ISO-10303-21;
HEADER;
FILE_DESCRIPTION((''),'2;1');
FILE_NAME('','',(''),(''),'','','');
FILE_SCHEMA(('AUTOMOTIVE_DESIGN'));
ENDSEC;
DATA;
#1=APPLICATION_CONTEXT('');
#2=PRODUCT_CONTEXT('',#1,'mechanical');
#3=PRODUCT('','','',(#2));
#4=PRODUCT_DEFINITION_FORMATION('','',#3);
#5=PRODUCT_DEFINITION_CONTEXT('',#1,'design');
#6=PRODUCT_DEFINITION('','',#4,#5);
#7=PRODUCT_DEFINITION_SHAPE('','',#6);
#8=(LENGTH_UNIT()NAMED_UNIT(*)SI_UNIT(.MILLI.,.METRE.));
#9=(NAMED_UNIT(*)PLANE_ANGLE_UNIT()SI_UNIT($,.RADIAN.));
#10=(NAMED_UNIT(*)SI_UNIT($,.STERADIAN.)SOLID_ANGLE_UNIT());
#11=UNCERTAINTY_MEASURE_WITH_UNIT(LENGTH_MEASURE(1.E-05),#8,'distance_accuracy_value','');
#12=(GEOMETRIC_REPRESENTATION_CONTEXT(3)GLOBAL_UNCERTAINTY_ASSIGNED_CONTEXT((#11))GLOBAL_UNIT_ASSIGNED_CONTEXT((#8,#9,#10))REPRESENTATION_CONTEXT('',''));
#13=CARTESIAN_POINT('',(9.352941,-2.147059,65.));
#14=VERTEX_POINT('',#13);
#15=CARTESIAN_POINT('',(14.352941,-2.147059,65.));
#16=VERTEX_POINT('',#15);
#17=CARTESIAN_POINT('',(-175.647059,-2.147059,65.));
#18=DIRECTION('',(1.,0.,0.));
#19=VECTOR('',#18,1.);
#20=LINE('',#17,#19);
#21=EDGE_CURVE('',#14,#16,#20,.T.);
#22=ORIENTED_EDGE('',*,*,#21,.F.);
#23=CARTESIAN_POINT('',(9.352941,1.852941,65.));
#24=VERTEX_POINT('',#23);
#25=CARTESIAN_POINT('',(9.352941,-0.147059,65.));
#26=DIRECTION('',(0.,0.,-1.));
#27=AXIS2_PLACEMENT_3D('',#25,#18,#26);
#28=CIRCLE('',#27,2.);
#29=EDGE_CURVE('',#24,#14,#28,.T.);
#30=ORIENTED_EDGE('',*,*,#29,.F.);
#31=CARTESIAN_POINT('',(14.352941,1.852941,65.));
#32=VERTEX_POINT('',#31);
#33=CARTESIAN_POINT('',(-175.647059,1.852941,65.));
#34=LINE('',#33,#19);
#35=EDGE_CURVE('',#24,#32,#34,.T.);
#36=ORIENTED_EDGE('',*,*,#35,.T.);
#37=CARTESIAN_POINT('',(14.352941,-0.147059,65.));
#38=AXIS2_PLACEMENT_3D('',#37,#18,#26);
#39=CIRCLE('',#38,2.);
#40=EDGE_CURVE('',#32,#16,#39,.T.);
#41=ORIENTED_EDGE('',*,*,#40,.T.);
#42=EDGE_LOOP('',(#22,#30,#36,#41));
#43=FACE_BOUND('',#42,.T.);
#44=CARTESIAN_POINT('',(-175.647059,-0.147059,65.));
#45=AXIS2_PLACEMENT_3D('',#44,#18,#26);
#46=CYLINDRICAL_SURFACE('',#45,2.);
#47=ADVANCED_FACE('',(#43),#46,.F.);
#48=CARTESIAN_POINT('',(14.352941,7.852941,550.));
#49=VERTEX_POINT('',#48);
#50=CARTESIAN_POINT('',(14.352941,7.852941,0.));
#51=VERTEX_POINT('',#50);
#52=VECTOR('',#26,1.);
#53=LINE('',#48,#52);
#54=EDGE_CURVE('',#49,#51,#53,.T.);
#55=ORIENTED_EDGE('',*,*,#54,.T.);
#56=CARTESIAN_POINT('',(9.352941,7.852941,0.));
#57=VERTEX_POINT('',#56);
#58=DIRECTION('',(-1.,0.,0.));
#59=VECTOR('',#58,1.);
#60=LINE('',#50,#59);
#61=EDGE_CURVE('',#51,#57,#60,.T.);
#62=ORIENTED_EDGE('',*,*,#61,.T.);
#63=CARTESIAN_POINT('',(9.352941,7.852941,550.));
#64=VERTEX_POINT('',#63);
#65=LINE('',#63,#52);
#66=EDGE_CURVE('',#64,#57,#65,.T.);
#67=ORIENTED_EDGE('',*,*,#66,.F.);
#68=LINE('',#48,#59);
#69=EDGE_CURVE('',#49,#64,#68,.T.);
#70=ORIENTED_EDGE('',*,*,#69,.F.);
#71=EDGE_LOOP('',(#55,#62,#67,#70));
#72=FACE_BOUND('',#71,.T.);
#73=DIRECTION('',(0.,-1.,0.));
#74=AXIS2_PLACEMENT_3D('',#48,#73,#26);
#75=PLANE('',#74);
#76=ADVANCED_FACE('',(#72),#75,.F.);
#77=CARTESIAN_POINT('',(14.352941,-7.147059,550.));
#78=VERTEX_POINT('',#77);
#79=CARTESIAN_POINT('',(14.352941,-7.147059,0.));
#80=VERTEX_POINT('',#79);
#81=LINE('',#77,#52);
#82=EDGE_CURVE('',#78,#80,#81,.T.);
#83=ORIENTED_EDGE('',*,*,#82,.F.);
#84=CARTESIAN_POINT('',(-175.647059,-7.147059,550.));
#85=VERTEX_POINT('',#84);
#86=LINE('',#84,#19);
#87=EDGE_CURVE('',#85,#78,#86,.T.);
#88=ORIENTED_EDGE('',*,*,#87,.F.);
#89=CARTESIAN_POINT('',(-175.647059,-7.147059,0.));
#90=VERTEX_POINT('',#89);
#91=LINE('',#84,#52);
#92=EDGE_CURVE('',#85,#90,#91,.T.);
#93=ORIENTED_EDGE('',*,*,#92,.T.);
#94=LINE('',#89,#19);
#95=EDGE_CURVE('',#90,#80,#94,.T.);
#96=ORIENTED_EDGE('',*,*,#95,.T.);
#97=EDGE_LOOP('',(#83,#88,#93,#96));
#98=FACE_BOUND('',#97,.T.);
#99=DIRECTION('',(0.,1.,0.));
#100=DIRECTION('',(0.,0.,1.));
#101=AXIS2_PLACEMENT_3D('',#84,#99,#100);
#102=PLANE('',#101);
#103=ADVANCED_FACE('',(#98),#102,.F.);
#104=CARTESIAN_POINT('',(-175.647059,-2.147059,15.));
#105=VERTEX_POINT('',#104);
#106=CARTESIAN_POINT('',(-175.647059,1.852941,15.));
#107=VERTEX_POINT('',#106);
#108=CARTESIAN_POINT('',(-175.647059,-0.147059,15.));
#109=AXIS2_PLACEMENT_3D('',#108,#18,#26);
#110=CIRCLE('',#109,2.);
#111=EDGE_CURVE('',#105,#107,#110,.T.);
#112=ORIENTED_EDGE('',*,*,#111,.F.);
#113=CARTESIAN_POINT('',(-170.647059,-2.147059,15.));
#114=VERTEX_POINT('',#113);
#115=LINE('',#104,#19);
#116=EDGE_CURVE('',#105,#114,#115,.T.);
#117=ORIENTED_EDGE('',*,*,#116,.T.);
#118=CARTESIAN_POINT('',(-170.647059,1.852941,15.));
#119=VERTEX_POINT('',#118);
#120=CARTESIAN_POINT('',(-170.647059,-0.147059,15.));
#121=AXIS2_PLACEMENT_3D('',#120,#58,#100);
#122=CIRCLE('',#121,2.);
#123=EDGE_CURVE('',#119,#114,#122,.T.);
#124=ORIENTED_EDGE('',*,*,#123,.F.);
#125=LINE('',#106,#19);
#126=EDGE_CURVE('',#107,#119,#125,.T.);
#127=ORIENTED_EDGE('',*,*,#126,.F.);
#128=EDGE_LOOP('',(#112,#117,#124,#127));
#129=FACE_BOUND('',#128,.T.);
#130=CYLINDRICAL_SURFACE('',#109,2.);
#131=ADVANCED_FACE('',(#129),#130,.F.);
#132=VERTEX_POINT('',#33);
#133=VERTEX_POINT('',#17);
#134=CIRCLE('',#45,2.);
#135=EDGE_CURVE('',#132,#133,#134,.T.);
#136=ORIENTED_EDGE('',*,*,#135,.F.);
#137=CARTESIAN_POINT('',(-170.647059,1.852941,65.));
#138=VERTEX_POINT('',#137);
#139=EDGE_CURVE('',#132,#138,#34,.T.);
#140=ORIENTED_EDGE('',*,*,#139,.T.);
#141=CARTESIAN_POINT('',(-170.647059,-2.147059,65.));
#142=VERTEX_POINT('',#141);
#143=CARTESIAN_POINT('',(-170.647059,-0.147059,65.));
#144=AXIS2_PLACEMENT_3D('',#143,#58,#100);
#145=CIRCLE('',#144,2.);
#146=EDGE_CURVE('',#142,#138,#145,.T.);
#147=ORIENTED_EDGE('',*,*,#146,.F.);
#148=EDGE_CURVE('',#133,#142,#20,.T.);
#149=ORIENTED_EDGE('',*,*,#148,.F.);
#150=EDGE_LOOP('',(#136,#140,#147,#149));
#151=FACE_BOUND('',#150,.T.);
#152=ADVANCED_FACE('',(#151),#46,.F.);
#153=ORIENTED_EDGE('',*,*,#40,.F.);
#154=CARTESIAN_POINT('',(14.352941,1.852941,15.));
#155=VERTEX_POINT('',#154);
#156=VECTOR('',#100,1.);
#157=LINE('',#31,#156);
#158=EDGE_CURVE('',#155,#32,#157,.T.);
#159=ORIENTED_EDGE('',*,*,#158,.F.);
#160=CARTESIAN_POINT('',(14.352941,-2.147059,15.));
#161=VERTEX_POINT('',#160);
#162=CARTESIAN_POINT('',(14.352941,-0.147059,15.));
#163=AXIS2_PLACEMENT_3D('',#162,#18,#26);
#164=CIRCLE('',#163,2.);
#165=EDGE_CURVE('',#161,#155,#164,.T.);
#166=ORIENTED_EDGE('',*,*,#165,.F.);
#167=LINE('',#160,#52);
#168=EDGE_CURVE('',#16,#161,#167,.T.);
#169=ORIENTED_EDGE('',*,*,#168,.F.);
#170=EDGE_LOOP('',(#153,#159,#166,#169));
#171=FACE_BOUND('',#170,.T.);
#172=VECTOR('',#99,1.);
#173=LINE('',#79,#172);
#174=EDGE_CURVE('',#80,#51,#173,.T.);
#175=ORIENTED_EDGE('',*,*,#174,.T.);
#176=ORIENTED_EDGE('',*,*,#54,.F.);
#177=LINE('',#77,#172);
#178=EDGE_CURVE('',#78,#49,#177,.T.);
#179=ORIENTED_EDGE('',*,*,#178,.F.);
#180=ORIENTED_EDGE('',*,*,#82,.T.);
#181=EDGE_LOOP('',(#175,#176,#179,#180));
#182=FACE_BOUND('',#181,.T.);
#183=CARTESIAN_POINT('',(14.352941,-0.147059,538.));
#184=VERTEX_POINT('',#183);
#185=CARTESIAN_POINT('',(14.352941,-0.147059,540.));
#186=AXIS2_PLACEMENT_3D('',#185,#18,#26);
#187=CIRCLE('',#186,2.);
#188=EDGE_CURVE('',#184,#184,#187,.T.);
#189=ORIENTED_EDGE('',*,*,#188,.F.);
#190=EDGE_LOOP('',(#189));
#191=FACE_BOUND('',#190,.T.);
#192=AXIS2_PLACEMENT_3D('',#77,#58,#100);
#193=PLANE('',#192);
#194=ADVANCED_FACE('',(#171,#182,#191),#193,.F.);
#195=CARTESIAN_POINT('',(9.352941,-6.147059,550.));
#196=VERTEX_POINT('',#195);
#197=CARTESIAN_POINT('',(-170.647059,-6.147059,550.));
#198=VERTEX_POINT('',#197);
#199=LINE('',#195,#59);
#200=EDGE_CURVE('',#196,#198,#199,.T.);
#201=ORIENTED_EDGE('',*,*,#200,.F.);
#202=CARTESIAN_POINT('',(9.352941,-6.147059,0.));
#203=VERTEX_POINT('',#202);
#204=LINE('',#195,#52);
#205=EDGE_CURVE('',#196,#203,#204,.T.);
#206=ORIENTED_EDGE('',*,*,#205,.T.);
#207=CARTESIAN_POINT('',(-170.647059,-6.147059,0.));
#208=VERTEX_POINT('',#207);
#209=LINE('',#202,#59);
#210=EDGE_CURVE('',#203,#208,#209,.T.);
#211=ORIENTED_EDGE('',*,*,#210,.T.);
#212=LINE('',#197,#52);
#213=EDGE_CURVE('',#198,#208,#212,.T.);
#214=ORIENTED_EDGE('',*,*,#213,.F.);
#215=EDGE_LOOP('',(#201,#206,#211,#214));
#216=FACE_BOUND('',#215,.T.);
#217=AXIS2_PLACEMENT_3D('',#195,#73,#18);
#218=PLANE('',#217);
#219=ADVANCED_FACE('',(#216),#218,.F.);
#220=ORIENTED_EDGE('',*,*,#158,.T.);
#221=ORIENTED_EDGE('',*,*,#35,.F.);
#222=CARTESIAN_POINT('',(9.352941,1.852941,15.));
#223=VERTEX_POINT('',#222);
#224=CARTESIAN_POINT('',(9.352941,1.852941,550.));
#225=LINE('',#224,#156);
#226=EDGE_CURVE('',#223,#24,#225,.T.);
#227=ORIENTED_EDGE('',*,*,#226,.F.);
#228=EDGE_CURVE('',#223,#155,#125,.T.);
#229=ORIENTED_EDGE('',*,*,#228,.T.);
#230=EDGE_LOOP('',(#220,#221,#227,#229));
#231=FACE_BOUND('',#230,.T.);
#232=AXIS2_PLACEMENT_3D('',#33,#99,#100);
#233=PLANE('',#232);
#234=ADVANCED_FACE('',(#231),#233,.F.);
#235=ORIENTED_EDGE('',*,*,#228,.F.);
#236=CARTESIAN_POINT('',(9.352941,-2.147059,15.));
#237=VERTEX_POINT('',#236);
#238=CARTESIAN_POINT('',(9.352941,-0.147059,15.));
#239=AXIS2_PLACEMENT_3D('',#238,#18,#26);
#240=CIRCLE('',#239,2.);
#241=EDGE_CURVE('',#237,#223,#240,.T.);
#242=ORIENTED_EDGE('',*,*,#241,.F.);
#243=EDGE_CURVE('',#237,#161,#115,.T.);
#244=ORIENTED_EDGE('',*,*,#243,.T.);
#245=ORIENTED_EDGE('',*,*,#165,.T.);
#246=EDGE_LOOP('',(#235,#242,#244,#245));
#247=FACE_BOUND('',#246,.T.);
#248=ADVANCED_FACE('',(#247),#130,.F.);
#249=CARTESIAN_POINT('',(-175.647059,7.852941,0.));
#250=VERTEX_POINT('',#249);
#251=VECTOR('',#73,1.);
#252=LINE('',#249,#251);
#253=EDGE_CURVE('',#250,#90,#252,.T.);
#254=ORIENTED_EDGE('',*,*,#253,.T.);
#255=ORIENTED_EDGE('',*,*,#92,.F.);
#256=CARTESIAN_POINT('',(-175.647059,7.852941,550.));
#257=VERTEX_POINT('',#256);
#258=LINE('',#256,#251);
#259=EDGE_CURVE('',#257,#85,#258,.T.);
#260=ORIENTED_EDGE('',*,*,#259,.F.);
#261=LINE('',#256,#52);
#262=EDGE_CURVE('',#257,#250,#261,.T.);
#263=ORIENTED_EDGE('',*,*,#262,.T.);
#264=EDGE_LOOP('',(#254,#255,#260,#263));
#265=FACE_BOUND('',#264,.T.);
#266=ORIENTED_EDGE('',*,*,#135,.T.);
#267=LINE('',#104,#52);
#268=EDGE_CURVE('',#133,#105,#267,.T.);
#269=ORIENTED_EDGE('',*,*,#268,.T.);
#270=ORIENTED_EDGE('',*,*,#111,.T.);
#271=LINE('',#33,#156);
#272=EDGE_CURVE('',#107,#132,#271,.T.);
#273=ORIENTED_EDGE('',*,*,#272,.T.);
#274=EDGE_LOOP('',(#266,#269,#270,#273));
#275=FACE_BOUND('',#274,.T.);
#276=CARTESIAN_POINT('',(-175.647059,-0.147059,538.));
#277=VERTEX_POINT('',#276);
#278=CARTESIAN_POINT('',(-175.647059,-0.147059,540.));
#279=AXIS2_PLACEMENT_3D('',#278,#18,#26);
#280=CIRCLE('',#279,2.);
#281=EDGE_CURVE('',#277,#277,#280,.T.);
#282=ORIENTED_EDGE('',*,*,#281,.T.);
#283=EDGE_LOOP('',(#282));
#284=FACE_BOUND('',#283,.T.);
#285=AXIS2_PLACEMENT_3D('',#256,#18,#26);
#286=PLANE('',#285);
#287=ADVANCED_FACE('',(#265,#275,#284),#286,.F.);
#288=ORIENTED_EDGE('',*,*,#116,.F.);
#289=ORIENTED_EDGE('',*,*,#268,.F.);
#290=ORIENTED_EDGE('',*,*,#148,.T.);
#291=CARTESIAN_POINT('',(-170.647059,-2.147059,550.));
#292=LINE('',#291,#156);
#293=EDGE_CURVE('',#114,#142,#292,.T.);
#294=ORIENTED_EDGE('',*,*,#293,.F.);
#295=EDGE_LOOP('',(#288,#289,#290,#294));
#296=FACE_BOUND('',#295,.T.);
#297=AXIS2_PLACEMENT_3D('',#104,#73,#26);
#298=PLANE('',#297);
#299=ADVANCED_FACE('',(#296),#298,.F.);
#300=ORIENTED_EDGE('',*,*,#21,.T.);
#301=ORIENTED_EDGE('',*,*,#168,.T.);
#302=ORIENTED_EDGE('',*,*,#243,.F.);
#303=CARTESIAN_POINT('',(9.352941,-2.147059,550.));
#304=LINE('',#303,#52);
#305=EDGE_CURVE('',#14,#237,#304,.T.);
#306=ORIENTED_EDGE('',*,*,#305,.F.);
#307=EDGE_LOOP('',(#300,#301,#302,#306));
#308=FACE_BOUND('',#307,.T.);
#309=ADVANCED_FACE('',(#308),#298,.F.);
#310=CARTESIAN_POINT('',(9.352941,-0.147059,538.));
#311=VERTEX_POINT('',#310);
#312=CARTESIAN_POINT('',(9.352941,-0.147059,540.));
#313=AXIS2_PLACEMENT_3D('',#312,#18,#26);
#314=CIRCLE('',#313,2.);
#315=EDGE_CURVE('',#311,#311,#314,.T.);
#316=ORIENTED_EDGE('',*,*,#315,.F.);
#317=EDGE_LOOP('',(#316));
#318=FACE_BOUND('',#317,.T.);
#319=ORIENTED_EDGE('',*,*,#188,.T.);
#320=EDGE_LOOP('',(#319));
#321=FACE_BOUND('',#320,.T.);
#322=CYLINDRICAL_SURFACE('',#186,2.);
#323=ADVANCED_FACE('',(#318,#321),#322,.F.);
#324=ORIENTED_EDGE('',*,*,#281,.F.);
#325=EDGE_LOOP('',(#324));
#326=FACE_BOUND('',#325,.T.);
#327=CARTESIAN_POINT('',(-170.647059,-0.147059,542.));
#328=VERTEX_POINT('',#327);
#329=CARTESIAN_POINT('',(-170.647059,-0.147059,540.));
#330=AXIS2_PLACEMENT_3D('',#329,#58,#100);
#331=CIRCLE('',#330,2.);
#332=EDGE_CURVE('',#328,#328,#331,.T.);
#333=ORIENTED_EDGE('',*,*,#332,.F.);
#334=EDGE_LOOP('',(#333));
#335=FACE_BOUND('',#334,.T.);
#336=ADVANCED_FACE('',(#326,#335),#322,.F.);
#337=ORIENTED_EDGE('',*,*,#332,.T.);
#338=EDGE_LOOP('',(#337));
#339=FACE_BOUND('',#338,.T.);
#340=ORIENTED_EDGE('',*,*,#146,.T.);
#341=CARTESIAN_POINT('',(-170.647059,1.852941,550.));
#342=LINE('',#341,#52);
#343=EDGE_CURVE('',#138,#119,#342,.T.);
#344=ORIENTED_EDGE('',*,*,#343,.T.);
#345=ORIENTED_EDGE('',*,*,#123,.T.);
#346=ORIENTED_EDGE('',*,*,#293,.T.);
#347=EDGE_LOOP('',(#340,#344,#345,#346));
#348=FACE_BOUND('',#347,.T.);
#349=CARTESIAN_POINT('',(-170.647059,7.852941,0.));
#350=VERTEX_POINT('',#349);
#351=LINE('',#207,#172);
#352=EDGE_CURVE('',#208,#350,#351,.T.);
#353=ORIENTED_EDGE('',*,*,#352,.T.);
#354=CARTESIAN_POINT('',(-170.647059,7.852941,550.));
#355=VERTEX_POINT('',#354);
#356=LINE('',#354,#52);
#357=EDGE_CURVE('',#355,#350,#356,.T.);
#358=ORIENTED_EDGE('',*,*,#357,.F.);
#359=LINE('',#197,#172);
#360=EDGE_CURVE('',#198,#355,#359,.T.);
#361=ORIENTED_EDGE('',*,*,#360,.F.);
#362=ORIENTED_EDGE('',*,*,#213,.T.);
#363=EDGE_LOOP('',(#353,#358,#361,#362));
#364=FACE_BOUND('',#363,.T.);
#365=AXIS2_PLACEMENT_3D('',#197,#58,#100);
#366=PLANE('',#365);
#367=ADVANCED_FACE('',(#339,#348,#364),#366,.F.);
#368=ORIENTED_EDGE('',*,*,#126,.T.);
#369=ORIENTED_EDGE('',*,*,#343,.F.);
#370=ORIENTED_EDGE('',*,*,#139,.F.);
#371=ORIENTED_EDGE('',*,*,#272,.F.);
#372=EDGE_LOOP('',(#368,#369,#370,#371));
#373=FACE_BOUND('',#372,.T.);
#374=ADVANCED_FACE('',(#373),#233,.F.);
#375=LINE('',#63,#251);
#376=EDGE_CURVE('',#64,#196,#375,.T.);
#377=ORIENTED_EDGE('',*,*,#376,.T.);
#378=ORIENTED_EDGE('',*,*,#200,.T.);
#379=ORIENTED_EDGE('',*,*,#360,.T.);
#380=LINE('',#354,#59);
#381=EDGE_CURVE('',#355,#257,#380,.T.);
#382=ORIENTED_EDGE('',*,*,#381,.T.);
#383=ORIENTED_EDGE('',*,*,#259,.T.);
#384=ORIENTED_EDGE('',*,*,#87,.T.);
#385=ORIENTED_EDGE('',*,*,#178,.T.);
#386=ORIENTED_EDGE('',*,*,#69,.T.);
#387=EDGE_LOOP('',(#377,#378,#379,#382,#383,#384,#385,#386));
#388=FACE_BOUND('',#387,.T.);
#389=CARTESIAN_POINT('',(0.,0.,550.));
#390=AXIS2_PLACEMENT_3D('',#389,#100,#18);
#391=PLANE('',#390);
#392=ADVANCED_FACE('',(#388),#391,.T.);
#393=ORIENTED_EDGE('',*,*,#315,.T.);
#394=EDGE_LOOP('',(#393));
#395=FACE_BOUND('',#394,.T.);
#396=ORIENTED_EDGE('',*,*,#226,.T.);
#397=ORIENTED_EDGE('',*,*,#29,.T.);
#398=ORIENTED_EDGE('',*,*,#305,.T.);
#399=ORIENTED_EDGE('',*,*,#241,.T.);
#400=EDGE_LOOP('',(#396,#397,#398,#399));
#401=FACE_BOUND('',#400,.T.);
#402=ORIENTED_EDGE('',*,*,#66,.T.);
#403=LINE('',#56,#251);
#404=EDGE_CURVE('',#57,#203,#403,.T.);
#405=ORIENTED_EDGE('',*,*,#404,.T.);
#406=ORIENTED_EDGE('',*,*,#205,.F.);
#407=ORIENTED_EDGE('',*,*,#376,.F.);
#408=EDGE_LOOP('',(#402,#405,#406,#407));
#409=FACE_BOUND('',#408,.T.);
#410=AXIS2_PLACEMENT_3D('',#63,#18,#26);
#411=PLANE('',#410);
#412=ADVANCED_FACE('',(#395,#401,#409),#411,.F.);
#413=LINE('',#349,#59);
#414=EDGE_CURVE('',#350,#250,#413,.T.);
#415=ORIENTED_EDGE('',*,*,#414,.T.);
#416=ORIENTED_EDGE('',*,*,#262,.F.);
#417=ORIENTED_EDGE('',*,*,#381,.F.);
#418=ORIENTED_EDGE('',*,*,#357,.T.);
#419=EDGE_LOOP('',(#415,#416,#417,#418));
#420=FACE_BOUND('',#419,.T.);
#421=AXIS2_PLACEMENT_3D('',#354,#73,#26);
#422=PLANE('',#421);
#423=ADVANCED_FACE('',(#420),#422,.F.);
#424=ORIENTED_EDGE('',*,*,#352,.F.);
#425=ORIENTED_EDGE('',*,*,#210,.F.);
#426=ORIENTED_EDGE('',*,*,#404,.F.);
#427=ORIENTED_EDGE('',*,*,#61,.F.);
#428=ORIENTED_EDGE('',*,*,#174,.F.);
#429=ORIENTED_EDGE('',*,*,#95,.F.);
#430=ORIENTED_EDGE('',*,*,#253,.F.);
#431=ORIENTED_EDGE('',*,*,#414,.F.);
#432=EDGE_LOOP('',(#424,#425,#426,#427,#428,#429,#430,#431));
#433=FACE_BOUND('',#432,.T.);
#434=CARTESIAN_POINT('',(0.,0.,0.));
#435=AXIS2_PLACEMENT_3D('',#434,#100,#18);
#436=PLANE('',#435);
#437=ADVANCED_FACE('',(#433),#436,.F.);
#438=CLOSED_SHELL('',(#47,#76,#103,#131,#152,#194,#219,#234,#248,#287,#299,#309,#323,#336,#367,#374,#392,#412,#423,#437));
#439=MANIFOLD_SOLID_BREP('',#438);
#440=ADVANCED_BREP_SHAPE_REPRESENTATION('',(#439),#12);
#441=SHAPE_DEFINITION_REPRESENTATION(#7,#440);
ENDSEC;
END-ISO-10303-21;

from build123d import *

# Parameters (mm, degrees)
BOSS_EXTRUDE1_DEPTH   = 550
F_4_0MM_DOWEL_HOLE1_D = 4
CUT_EXTRUDE1_DEPTH    = 582.946448297


with BuildPart() as part:
    # Sketch1 → Boss-Extrude1 (new body)
    with BuildSketch(Plane.XY):
        Polygon((-175.647058824, 7.852941176), (-175.647058824, -7.147058824), (14.352941176, -7.147058824), (14.352941176, 7.852941176), (9.352941176, 7.852941176), (9.352941176, -6.147058824), (-170.647058824, -6.147058824), (-170.647058824, 7.852941176), align=None)
    extrude(amount=BOSS_EXTRUDE1_DEPTH)

    # Ø4.0mm Dowel Hole1 (through all)
    with Locations(Plane(origin=(14.352941176, 0, 0), x_dir=(0, 0, -1), z_dir=(1, 0, 0))):
        with Locations((-540, -0.147058824)):
            Hole(F_4_0MM_DOWEL_HOLE1_D / 2)

    # Sketch5 → Cut-Extrude1 (cut, through all)
    with BuildSketch(Plane(origin=(14.352941176, 0, 0), x_dir=(0, 0, -1), z_dir=(1, 0, 0))):
        with BuildLine():
            Line((-65, 1.852941176), (-15, 1.852941176))
            ThreePointArc((-15, 1.852941176), (-13, -0.147058824), (-15, -2.147058824))
            Line((-15, -2.147058824), (-65, -2.147058824))
            ThreePointArc((-65, -2.147058824), (-67, -0.147058824), (-65, 1.852941176))
        make_face()
    extrude(amount=-CUT_EXTRUDE1_DEPTH, mode=Mode.SUBTRACT)


solid = part.part
